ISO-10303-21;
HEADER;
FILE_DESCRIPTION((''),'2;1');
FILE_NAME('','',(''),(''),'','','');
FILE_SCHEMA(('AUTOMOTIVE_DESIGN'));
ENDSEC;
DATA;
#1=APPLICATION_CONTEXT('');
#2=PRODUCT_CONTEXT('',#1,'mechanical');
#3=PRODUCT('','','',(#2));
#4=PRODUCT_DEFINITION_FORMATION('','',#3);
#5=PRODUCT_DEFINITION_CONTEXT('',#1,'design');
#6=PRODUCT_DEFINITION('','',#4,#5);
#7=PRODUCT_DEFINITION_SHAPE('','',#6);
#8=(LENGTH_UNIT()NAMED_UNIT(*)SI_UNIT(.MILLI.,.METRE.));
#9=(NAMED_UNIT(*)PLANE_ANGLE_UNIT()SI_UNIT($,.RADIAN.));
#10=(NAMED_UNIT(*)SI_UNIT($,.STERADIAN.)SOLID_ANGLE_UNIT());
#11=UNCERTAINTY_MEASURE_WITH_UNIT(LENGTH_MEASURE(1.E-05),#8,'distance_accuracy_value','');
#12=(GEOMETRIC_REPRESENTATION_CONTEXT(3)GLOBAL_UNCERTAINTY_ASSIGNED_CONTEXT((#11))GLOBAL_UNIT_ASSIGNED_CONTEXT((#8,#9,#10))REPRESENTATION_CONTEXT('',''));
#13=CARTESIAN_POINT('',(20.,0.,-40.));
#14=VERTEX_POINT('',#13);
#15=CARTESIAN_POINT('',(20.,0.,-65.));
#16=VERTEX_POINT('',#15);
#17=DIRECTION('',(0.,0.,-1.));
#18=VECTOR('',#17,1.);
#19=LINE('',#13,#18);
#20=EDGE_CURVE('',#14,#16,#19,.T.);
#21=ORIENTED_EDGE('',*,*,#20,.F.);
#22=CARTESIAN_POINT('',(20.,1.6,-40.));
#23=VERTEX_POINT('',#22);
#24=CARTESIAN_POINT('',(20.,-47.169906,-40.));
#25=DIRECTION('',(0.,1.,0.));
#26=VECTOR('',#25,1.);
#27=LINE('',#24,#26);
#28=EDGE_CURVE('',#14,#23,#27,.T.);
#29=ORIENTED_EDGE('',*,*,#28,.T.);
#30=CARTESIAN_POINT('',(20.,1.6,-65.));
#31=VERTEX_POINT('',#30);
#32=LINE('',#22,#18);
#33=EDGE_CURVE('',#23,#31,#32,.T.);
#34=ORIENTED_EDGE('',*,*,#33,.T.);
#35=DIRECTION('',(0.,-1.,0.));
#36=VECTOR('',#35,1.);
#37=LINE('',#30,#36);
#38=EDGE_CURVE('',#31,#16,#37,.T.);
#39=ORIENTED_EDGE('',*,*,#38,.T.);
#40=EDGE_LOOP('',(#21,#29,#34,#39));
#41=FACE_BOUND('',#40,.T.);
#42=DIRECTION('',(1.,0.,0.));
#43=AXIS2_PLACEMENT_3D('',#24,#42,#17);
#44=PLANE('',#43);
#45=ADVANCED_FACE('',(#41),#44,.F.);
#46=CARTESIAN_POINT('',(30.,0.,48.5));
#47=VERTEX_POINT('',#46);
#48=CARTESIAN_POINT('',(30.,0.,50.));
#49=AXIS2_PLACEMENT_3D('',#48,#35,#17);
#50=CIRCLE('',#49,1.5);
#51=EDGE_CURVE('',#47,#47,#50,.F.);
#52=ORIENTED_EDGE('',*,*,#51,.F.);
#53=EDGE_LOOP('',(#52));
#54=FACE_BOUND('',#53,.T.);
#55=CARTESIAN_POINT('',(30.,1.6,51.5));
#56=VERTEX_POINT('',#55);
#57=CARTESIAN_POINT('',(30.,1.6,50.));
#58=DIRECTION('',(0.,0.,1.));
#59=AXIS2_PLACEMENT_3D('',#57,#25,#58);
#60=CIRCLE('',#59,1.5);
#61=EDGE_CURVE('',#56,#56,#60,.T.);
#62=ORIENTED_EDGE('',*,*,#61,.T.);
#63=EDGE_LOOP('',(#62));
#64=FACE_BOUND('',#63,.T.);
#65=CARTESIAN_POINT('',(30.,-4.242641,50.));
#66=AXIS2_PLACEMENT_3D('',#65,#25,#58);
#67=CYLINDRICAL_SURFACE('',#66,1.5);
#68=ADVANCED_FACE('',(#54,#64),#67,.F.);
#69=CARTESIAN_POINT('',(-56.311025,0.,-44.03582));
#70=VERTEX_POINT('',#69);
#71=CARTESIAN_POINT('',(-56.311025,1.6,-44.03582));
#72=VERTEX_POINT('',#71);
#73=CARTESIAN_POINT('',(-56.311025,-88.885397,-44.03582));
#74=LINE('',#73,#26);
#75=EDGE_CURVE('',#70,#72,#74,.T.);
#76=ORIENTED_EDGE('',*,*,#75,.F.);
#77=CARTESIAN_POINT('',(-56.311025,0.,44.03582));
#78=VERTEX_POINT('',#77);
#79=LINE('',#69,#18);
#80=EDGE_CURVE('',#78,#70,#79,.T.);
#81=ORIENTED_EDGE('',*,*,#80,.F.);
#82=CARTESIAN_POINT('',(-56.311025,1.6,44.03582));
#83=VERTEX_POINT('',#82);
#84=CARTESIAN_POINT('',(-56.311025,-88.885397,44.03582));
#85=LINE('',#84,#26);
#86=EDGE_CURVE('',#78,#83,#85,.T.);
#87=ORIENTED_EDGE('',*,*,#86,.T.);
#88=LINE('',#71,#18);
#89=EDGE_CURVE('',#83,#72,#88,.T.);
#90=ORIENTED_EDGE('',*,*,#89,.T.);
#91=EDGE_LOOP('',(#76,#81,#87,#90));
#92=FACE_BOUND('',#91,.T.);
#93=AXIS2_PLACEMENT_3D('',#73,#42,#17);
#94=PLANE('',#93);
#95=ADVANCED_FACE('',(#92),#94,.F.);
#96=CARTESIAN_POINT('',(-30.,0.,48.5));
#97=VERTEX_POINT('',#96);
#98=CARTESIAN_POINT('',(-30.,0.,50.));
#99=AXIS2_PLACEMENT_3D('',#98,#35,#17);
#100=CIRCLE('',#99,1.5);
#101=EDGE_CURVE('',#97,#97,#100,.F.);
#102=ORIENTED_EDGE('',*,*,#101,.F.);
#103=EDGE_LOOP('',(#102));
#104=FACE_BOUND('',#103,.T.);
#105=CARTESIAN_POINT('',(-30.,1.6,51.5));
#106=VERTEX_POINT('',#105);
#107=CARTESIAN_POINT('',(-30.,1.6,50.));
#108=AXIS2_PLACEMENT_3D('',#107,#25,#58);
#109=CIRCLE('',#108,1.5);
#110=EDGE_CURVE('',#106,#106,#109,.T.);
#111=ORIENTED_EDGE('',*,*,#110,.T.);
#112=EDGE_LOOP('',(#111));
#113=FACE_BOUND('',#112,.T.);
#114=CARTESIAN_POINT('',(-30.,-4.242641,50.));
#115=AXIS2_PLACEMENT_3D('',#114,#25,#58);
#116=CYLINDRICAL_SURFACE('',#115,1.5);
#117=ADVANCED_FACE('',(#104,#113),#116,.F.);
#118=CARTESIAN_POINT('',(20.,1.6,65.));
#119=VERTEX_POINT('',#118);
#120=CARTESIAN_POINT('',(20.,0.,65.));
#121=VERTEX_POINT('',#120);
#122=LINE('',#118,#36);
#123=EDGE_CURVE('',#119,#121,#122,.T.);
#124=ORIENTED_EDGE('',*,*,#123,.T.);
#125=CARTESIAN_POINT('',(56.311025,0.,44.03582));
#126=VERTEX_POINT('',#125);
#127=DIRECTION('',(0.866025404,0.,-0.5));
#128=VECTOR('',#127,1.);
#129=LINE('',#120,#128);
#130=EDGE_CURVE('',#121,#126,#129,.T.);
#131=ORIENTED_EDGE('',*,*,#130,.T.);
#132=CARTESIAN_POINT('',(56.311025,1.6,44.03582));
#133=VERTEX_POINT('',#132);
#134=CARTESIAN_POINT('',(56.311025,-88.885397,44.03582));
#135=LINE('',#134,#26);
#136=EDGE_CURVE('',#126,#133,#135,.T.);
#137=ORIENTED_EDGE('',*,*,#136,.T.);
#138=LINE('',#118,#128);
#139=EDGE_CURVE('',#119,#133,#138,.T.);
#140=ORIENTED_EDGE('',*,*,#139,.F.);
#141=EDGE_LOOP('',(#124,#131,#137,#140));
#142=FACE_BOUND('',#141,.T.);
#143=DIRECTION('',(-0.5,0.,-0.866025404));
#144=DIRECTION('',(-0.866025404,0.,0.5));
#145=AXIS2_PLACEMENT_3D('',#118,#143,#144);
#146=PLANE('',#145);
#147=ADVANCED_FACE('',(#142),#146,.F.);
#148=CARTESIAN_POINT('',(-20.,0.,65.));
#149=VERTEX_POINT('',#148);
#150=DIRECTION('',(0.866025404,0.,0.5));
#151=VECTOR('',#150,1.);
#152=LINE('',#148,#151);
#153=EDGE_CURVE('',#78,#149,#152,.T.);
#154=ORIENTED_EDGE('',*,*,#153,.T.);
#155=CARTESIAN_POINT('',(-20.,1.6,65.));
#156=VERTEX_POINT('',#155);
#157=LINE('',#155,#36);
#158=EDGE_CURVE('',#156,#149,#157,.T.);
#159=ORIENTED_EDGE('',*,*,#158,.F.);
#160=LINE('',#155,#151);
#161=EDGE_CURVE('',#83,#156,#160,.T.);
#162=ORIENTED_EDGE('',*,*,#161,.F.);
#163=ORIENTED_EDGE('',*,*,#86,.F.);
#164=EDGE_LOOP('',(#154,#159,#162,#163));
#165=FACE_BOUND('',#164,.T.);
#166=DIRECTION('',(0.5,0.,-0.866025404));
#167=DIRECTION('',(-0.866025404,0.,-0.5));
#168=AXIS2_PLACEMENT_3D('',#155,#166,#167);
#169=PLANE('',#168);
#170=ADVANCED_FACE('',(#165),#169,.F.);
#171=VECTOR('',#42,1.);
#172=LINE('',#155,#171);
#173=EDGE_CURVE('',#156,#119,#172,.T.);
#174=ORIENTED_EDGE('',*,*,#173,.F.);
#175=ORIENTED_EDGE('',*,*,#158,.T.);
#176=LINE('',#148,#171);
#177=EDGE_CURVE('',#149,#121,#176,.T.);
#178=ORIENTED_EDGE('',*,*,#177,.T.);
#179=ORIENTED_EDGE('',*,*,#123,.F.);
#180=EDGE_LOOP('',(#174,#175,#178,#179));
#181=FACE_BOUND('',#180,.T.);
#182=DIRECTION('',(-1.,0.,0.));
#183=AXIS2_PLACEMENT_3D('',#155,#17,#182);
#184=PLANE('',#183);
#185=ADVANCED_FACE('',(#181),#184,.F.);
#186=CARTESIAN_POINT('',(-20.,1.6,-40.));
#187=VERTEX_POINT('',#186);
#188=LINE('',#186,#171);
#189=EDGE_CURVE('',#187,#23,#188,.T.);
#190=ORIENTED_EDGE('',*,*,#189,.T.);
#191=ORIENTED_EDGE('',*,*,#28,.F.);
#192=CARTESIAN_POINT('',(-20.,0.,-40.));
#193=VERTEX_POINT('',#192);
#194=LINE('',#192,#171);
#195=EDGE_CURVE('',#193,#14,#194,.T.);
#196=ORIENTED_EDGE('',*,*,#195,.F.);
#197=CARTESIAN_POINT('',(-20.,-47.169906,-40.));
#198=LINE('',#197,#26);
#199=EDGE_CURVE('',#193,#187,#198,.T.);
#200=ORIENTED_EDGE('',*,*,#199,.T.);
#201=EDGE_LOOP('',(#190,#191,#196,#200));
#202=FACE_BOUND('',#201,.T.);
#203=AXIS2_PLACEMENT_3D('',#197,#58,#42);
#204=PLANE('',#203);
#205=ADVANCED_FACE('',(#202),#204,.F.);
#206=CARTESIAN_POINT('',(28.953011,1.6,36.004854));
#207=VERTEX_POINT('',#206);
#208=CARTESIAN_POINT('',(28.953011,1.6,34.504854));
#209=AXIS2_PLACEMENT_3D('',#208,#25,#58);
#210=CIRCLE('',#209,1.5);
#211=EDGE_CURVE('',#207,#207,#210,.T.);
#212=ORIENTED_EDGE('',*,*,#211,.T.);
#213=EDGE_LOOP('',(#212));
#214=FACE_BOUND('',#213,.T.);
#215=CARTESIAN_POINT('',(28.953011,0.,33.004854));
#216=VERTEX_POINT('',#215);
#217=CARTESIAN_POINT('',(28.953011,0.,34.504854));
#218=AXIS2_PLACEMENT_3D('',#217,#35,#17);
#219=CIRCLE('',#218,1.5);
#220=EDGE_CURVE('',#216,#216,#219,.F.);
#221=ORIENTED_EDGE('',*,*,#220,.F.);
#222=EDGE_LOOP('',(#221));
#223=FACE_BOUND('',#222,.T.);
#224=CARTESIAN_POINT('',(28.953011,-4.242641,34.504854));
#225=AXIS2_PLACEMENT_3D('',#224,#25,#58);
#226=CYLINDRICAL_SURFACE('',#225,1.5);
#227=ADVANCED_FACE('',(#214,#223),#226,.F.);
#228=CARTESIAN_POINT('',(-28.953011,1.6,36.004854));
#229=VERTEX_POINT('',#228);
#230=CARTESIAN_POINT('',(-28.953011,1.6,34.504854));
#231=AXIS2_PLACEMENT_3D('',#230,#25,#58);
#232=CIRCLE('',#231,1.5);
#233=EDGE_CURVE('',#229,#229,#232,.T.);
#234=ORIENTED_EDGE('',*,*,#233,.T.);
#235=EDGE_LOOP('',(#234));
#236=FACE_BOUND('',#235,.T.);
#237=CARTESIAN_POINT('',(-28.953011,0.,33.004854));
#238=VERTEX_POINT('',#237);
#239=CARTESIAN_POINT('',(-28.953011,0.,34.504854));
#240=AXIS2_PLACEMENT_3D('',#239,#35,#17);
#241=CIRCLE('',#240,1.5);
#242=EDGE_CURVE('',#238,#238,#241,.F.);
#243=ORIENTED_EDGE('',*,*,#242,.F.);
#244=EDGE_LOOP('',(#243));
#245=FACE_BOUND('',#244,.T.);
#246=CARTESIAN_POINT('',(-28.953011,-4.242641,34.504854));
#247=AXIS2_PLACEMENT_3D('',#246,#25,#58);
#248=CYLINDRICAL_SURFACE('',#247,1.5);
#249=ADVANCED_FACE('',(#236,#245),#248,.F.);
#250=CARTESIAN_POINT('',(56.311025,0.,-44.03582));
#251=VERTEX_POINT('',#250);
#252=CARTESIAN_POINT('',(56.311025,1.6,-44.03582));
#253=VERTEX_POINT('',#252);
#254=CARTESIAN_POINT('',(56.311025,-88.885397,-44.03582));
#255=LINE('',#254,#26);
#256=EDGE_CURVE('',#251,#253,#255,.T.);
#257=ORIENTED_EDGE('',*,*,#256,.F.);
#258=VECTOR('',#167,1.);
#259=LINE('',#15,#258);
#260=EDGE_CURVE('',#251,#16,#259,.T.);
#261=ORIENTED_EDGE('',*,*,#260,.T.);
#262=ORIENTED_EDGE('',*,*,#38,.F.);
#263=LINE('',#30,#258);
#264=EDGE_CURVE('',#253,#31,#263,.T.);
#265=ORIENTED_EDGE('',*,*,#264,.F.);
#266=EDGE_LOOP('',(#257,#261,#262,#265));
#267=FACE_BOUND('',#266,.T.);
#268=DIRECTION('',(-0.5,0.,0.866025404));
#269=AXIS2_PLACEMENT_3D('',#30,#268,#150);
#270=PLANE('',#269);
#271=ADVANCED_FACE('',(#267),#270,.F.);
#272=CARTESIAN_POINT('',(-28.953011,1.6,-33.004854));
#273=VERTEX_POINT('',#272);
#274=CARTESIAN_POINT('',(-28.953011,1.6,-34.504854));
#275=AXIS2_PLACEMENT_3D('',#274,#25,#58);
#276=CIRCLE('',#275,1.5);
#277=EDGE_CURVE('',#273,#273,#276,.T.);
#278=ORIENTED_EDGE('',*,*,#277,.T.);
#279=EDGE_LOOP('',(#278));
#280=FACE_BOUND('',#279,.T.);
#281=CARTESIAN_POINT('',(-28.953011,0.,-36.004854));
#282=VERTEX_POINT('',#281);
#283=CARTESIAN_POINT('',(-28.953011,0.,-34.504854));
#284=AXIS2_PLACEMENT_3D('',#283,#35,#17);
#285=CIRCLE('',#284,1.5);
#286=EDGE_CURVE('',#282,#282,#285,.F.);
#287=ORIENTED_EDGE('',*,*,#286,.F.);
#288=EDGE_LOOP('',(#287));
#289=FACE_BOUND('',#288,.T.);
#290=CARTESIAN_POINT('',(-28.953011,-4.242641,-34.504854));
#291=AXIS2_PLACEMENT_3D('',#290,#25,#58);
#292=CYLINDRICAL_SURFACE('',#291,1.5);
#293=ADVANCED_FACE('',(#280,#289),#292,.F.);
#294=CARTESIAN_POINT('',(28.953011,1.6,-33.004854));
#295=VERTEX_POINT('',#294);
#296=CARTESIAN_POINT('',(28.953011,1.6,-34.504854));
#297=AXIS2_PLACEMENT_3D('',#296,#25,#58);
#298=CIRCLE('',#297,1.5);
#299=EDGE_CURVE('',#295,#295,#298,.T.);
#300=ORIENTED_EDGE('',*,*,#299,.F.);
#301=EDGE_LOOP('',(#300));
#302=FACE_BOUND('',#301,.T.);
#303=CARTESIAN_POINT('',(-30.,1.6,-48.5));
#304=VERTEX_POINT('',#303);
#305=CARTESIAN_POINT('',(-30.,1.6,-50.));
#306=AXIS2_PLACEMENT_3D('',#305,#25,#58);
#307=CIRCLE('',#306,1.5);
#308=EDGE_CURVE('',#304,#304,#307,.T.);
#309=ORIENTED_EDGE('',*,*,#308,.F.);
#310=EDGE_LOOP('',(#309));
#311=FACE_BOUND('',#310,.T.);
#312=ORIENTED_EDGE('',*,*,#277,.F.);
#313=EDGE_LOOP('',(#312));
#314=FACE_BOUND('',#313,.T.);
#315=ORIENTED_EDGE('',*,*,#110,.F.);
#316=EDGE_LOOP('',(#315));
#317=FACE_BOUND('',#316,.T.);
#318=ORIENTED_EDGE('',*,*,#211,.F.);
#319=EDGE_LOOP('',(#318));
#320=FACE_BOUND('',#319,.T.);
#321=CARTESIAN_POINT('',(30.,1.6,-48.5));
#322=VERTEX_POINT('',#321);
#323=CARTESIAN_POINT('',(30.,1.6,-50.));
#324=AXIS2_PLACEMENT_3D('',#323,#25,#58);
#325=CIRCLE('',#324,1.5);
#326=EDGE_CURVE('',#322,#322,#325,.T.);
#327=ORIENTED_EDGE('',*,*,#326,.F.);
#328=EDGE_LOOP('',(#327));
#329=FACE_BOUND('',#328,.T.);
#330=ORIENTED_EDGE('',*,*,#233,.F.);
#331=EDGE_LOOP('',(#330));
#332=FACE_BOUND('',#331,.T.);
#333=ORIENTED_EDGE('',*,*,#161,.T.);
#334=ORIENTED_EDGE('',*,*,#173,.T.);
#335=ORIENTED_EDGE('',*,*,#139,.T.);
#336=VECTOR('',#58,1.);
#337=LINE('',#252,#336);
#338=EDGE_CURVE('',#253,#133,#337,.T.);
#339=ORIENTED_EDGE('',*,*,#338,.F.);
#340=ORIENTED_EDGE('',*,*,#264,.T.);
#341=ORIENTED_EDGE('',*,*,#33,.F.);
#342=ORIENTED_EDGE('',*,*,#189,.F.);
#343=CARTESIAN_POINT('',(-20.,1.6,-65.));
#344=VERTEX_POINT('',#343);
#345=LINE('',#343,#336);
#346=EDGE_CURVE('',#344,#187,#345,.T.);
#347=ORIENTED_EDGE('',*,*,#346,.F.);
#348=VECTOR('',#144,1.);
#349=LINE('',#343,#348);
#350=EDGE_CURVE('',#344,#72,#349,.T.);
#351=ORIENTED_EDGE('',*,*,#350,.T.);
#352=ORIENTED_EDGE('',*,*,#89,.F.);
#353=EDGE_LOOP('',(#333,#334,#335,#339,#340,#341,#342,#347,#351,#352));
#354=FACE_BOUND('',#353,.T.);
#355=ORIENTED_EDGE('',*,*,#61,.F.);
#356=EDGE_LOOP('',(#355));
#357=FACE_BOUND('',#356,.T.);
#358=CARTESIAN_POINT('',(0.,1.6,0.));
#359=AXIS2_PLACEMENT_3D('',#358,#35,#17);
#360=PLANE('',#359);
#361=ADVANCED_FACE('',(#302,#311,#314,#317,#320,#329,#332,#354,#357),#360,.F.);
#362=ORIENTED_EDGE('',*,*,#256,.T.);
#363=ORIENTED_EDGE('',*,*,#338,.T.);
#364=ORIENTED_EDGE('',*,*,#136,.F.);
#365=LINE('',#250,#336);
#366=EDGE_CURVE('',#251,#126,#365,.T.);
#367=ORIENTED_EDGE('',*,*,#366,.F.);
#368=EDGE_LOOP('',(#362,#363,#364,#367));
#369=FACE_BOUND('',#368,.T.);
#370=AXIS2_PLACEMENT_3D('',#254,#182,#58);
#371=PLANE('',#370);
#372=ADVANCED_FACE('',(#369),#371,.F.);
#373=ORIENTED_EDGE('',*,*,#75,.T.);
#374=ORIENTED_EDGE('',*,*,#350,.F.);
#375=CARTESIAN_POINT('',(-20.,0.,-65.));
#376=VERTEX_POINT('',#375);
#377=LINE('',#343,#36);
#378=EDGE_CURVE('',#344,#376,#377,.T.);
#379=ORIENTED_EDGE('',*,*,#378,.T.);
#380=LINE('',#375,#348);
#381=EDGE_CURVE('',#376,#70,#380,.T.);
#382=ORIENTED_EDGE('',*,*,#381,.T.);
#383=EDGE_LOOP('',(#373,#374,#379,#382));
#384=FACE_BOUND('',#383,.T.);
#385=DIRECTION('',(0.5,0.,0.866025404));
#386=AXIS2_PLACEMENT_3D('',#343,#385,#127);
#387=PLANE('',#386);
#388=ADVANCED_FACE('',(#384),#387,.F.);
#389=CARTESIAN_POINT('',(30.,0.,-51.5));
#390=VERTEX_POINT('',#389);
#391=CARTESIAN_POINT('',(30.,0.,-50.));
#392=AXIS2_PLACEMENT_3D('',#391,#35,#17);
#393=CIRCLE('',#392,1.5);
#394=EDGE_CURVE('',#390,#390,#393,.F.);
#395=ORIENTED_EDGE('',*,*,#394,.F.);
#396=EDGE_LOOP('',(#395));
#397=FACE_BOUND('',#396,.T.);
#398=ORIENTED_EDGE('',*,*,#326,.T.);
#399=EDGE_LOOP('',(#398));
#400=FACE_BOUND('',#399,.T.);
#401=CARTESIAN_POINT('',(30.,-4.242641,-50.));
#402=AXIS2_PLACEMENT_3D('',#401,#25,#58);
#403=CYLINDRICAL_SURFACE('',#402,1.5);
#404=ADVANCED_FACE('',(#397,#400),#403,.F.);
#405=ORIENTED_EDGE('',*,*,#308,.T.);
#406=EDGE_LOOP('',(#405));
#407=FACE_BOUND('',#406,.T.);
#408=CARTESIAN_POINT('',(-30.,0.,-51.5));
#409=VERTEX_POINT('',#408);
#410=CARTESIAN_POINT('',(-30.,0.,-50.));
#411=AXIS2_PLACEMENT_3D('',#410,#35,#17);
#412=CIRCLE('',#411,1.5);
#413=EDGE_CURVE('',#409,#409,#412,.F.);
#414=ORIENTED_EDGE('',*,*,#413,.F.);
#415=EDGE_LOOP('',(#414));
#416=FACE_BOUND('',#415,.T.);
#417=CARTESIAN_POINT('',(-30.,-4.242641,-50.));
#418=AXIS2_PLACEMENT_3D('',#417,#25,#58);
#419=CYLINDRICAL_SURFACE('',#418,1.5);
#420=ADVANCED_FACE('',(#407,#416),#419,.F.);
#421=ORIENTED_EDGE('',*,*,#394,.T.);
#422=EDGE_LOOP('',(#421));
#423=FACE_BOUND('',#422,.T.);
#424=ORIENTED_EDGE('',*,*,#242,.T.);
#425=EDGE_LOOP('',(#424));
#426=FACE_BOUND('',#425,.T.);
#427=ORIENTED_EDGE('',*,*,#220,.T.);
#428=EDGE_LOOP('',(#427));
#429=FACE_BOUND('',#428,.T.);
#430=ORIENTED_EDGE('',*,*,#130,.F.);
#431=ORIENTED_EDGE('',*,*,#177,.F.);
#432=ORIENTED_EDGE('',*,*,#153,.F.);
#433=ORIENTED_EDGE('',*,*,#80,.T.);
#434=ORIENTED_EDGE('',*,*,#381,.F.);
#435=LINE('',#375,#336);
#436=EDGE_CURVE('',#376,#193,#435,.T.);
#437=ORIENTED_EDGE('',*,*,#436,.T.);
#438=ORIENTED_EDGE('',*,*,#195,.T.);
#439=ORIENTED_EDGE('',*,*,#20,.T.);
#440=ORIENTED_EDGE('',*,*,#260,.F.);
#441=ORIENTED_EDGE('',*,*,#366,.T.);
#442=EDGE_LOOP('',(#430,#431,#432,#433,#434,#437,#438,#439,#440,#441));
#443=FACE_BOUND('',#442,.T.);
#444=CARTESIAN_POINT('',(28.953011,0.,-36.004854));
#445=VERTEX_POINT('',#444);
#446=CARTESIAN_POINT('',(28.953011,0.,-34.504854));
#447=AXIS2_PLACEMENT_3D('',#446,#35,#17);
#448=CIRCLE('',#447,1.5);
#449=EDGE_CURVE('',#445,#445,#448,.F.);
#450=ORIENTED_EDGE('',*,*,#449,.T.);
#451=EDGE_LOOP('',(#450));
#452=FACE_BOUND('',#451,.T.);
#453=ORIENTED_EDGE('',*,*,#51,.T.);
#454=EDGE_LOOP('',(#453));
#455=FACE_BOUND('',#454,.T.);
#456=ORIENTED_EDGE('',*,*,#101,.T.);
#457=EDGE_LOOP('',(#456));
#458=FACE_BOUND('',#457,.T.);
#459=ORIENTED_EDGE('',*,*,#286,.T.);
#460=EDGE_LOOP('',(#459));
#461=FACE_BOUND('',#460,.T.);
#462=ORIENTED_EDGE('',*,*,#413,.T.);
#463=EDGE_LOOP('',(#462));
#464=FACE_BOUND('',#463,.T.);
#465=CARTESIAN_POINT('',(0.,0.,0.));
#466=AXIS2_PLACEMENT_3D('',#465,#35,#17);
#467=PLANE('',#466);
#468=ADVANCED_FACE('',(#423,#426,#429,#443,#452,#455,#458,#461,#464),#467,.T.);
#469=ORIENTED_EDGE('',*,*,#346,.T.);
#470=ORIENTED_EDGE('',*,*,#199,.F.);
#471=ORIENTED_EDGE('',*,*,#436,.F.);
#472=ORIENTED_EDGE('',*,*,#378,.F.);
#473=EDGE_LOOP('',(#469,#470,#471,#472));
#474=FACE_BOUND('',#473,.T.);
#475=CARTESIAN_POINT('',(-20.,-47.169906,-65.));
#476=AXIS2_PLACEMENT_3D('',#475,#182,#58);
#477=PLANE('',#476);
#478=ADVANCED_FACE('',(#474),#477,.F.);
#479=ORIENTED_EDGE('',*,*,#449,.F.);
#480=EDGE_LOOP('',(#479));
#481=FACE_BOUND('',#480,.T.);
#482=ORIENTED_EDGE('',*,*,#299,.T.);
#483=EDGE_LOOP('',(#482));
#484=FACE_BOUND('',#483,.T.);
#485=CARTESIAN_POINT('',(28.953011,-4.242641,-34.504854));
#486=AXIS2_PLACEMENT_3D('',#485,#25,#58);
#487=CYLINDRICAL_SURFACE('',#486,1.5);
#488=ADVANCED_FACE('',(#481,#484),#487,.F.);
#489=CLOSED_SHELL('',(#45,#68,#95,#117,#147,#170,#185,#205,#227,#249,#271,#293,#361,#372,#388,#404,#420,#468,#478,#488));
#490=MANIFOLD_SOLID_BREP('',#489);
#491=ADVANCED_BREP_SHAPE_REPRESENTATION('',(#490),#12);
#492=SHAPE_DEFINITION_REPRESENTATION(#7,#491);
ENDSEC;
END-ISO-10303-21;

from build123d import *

# Parameters (mm, degrees)
BOSS_EXTRUDE1_DEPTH = 1.6
CUT_EXTRUDE1_DEPTH  = 1.6
SKETCH5_R           = 1.5
CUT_EXTRUDE2_DEPTH  = 1.6
BOSS_EXTRUDE2_DEPTH = 1.6
SKETCH10_R          = 1.5
CUT_EXTRUDE5_DEPTH  = 1.6
CUT_EXTRUDE6_DEPTH  = 1.6
SKETCH14_W          = 40
SKETCH14_H          = 25
CUT_EXTRUDE7_DEPTH  = 1.6
CUT_EXTRUDE10_DEPTH = 1.6


with BuildPart() as part:
    # Sketch3 → Boss-Extrude1 (new body)
    with BuildSketch(Plane(origin=(0, 0, 0), x_dir=(1, 0, 0), z_dir=(0, 1, 0))):
        Polygon((-20, 65), (20, 65), (65, 39.019237886), (65, -39.019237886), (20, -65), (-20, -65), (-65, -39.019237886), (-65, 39.019237886), align=None)
    extrude(amount=BOSS_EXTRUDE1_DEPTH)

    # Sketch4 → Cut-Extrude1 (cut)
    with BuildSketch(Plane(origin=(0, 1.6, 0), x_dir=(1, 0, 0), z_dir=(0, 1, 0))):
        Polygon((-61.579798567, 40.993892105), (-65, 31.596965897), (-65, 39.019237886), align=None)
        Polygon((65, 31.596965897), (61.579798567, 40.993892105), (65, 39.019237886), align=None)
        Polygon((61.579798567, -40.993892105), (65, -39.019237886), (65, -31.596965897), align=None)
        Polygon((-61.579798567, -40.993892105), (-65, -39.019237886), (-65, -31.596965897), align=None)
    extrude(amount=-CUT_EXTRUDE1_DEPTH, mode=Mode.SUBTRACT)

    # Sketch5 → Cut-Extrude2 (cut)
    with BuildSketch(Plane(origin=(0, 1.6, 0), x_dir=(1, 0, 0), z_dir=(0, 1, 0))):
        with Locations(Location((-30, 50, 0), (0, 0, 270))):
            Circle(SKETCH5_R)
        with Locations(Location((30, 50, 0), (0, 0, 270))):
            Circle(SKETCH5_R)
        with Locations(Location((30, -50, 0), (0, 0, 270))):
            Circle(SKETCH5_R)
        with Locations(Location((-30, -50, 0), (0, 0, 270))):
            Circle(SKETCH5_R)
    extrude(amount=-CUT_EXTRUDE2_DEPTH, mode=Mode.SUBTRACT)

    # Sketch6 → Boss-Extrude2 (add)
    with BuildSketch(Plane(origin=(0, 1.6, 0), x_dir=(1, 0, 0), z_dir=(0, 1, 0))):
        Polygon((-65, 31.596965897), (-76.50035508, 0), (-65, -31.596965897), align=None)
        Polygon((65, 31.596965897), (65, -31.596965897), (76.50035508, 0), align=None)
    extrude(amount=-BOSS_EXTRUDE2_DEPTH)

    # Sketch10 → Cut-Extrude5 (cut)
    with BuildSketch(Plane(origin=(0, 1.6, 0), x_dir=(1, 0, 0), z_dir=(0, 1, 0))):
        with Locations(Location((-28.953010595, 34.50485439, 0), (0, 0, 270))):
            Circle(SKETCH10_R)
        with Locations(Location((28.953010595, 34.50485439, 0), (0, 0, 270))):
            Circle(SKETCH10_R)
        with Locations(Location((-28.953010595, -34.50485439, 0), (0, 0, 270))):
            Circle(SKETCH10_R)
        with Locations(Location((28.953010595, -34.50485439, 0), (0, 0, 270))):
            Circle(SKETCH10_R)
    extrude(amount=-CUT_EXTRUDE5_DEPTH, mode=Mode.SUBTRACT)

    # Sketch11 → Cut-Extrude6 (cut)
    with BuildSketch(Plane(origin=(0, 1.6, 0), x_dir=(1, 0, 0), z_dir=(0, 1, 0))):
        Polygon((-68.311024809, 22.5), (-68.311024809, -22.5), (-76.50035508, 0), align=None)
        Polygon((68.311024809, 22.5), (68.311024809, -22.5), (76.50035508, 0), align=None)
    extrude(amount=-CUT_EXTRUDE6_DEPTH, mode=Mode.SUBTRACT)

    # Sketch14 → Cut-Extrude7 (cut)
    with BuildSketch(Plane(origin=(0, 1.6, 0), x_dir=(1, 0, 0), z_dir=(0, 1, 0))):
        with Locations((0, 52.5)):
            Rectangle(SKETCH14_W, SKETCH14_H)
    extrude(amount=-CUT_EXTRUDE7_DEPTH, mode=Mode.SUBTRACT)

    # Sketch17 → Cut-Extrude10 (cut)
    with BuildSketch(Plane(origin=(0, 1.6, 0), x_dir=(1, 0, 0), z_dir=(0, 1, 0))):
        Polygon((-56.311024809, 44.035820052), (-56.311024809, -44.035820052), (-61.579798567, -40.993892105), (-68.311024809, -22.5), (-68.311024809, 22.5), (-61.579798567, 40.993892105), align=None)
        Polygon((68.311024809, 22.5), (61.579798567, 40.993892105), (56.311024809, 44.035820052), (56.311024809, -44.035820052), (61.579798567, -40.993892105), (68.311024809, -22.5), align=None)
    extrude(amount=-CUT_EXTRUDE10_DEPTH, mode=Mode.SUBTRACT)


solid = part.part
